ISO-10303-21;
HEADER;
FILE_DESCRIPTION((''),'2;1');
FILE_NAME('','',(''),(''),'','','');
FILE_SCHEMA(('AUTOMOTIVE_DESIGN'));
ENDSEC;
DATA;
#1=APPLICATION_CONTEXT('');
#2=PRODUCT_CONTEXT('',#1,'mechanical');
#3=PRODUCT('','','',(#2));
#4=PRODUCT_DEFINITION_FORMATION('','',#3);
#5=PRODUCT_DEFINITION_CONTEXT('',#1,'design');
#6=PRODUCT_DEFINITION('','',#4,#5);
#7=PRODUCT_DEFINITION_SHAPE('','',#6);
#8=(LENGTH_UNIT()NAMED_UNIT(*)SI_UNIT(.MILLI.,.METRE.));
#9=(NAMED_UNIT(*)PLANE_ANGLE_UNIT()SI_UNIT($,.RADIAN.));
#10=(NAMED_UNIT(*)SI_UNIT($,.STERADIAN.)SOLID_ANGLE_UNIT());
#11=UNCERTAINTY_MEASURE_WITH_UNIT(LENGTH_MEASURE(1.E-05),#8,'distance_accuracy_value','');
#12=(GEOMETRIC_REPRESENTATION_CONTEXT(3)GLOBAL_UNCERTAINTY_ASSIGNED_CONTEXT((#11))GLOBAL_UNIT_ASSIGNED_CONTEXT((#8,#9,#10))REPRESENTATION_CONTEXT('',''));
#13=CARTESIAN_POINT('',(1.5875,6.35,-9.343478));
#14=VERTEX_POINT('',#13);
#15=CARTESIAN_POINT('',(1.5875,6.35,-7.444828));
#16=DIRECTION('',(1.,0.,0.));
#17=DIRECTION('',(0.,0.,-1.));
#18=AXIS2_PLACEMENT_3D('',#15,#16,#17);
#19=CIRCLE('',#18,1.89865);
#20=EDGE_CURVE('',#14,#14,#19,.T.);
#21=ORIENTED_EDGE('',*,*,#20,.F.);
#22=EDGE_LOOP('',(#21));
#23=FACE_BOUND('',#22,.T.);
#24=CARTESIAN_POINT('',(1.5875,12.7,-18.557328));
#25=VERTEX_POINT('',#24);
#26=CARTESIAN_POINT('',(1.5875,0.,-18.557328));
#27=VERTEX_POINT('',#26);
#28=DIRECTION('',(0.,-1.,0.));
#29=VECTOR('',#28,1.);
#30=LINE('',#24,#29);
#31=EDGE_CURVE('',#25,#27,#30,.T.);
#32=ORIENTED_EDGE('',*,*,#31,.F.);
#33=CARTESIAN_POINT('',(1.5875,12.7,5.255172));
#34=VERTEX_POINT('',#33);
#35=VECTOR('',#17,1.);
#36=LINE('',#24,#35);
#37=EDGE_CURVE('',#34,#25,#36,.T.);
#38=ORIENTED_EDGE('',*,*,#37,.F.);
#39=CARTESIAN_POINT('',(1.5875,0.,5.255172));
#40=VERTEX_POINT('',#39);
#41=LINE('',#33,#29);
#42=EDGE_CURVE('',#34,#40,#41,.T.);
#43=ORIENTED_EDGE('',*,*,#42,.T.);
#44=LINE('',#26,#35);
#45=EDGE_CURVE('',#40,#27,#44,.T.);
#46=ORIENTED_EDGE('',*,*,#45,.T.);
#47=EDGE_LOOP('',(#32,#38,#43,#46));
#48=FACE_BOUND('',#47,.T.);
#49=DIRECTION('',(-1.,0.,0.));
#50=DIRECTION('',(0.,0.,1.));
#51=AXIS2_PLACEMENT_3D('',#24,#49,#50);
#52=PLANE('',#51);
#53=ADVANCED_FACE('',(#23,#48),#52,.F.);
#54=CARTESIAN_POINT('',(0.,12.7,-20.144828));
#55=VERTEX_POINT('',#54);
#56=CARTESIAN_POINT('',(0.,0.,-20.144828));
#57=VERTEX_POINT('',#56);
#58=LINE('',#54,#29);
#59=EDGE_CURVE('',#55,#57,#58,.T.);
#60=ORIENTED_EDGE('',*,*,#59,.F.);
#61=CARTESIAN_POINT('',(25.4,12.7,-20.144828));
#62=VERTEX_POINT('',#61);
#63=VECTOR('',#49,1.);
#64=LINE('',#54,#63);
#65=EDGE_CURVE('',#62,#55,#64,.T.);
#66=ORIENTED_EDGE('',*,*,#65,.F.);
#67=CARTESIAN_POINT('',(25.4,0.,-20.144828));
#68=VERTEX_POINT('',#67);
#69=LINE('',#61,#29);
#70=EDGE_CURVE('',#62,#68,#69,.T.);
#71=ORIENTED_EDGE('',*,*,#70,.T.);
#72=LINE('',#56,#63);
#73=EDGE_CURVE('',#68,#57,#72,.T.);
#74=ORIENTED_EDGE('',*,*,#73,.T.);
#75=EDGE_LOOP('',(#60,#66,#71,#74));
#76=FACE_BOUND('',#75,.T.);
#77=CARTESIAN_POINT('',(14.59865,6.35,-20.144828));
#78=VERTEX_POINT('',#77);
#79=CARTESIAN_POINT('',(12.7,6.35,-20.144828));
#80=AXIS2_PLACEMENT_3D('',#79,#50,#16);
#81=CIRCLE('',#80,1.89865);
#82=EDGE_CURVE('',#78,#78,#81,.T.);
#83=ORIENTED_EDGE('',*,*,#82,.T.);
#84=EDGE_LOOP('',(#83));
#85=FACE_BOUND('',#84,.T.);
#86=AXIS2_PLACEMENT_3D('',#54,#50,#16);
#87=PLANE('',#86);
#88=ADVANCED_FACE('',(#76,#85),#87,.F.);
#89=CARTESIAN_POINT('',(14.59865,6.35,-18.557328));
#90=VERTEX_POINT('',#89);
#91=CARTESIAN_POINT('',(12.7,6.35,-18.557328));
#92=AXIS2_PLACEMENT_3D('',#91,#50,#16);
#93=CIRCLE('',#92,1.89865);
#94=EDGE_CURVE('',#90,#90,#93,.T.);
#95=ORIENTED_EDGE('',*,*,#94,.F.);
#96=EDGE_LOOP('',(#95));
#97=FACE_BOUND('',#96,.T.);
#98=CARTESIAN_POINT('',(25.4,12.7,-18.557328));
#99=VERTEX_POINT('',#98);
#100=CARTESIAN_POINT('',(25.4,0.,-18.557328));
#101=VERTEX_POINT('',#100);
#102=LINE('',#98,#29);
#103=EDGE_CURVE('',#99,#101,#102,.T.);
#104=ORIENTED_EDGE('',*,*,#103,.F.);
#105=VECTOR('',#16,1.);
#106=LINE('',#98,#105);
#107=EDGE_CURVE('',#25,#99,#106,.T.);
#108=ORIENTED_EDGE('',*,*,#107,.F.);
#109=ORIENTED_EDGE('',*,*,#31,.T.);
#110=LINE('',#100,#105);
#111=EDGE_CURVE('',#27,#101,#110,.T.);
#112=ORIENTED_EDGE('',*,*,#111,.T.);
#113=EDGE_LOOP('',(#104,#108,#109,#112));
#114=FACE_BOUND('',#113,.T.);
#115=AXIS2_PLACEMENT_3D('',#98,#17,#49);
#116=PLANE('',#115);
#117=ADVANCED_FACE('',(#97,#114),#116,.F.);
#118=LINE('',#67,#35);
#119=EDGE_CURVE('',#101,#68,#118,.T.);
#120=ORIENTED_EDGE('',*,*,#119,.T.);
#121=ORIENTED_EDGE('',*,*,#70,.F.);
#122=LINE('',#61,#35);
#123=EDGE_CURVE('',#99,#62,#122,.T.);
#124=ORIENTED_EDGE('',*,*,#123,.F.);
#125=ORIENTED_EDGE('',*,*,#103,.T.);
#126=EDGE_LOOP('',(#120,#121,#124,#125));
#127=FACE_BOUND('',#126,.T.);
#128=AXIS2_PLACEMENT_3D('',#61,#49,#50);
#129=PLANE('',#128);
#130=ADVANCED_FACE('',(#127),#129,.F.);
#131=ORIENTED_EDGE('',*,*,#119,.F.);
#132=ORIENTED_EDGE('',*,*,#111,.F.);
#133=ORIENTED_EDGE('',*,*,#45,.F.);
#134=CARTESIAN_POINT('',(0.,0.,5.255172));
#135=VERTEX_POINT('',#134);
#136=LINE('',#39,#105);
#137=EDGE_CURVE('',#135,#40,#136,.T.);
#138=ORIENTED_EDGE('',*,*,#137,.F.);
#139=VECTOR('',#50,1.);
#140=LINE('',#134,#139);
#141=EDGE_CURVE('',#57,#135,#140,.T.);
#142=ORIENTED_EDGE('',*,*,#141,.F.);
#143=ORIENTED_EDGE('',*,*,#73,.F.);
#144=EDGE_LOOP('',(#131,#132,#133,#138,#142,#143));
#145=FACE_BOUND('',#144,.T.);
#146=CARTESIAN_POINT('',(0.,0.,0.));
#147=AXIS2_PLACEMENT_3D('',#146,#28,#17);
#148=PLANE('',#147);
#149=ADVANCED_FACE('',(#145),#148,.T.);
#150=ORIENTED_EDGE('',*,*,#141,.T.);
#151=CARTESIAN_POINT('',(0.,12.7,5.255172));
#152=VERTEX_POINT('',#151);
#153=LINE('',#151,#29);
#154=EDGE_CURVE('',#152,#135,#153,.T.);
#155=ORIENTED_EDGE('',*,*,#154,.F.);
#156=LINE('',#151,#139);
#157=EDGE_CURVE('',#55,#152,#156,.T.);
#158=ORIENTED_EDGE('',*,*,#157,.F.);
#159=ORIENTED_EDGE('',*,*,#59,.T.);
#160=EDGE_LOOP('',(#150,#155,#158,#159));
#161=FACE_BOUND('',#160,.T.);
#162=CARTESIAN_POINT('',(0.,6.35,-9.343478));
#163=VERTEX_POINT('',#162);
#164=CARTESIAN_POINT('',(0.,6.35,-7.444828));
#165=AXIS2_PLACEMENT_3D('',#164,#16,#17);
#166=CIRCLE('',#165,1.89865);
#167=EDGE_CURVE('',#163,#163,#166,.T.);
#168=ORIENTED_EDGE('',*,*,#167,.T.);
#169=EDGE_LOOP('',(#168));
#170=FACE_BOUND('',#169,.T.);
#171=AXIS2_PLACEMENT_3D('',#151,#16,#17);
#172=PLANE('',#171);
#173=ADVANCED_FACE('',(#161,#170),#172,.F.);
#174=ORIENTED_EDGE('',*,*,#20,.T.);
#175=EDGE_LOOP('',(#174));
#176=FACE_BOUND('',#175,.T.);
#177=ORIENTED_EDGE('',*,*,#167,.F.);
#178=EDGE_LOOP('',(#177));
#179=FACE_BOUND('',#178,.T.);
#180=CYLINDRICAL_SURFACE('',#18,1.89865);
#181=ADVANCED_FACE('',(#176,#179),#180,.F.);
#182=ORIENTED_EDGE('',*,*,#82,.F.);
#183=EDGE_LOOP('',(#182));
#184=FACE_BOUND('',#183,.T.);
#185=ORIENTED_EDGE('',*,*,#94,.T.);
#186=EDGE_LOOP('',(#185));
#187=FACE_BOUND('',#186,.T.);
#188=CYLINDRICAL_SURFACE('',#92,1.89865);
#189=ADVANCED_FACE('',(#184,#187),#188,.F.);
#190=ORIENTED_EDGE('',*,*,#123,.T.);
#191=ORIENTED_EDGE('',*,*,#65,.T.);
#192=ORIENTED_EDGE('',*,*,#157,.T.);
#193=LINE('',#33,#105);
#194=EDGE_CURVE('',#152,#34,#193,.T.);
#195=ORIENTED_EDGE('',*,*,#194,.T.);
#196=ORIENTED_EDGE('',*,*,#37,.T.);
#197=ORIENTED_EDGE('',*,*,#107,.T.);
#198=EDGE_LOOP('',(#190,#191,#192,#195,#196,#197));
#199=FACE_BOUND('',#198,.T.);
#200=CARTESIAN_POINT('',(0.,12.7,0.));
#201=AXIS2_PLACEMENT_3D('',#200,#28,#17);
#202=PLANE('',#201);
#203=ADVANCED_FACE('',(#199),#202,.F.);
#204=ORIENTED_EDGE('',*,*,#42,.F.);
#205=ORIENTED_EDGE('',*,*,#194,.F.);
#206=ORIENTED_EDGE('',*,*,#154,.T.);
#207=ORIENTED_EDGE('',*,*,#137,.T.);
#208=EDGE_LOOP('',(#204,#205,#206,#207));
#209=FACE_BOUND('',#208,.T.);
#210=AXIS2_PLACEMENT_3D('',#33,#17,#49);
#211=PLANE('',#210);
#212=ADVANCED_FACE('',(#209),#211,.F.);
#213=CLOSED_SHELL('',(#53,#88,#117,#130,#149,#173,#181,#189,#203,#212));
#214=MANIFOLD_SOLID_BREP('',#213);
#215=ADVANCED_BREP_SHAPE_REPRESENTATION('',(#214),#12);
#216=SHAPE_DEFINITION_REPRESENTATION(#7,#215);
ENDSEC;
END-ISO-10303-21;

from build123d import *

# Parameters (mm, degrees)
BOSS_EXTRUDE1_DEPTH   = 12.7
F_6_CLEARANCE_HOLE2_D = 3.7973
F_6_CLEARANCE_HOLE1_D = 3.7973


with BuildPart() as part:
    # Sketch1 → Boss-Extrude1 (new body)
    with BuildSketch(Plane(origin=(0, 0, 0), x_dir=(1, 0, 0), z_dir=(0, 1, 0))):
        Polygon((0, -5.255172414), (0, 20.144827586), (25.4, 20.144827586), (25.4, 18.557327586), (1.5875, 18.557327586), (1.5875, -5.255172414), align=None)
    extrude(amount=BOSS_EXTRUDE1_DEPTH)

    # #6 Clearance Hole2 (through all)
    with Locations(Plane(origin=(1.5875, 0, 0), x_dir=(0, 0, -1), z_dir=(1, 0, 0))):
        with Locations((7.444827586, 6.35)):
            Hole(F_6_CLEARANCE_HOLE2_D / 2)

    # #6 Clearance Hole1 (through all)
    with Locations(Plane.XY.offset(-18.557327586)):
        with Locations((12.7, 6.35)):
            Hole(F_6_CLEARANCE_HOLE1_D / 2)


solid = part.part
